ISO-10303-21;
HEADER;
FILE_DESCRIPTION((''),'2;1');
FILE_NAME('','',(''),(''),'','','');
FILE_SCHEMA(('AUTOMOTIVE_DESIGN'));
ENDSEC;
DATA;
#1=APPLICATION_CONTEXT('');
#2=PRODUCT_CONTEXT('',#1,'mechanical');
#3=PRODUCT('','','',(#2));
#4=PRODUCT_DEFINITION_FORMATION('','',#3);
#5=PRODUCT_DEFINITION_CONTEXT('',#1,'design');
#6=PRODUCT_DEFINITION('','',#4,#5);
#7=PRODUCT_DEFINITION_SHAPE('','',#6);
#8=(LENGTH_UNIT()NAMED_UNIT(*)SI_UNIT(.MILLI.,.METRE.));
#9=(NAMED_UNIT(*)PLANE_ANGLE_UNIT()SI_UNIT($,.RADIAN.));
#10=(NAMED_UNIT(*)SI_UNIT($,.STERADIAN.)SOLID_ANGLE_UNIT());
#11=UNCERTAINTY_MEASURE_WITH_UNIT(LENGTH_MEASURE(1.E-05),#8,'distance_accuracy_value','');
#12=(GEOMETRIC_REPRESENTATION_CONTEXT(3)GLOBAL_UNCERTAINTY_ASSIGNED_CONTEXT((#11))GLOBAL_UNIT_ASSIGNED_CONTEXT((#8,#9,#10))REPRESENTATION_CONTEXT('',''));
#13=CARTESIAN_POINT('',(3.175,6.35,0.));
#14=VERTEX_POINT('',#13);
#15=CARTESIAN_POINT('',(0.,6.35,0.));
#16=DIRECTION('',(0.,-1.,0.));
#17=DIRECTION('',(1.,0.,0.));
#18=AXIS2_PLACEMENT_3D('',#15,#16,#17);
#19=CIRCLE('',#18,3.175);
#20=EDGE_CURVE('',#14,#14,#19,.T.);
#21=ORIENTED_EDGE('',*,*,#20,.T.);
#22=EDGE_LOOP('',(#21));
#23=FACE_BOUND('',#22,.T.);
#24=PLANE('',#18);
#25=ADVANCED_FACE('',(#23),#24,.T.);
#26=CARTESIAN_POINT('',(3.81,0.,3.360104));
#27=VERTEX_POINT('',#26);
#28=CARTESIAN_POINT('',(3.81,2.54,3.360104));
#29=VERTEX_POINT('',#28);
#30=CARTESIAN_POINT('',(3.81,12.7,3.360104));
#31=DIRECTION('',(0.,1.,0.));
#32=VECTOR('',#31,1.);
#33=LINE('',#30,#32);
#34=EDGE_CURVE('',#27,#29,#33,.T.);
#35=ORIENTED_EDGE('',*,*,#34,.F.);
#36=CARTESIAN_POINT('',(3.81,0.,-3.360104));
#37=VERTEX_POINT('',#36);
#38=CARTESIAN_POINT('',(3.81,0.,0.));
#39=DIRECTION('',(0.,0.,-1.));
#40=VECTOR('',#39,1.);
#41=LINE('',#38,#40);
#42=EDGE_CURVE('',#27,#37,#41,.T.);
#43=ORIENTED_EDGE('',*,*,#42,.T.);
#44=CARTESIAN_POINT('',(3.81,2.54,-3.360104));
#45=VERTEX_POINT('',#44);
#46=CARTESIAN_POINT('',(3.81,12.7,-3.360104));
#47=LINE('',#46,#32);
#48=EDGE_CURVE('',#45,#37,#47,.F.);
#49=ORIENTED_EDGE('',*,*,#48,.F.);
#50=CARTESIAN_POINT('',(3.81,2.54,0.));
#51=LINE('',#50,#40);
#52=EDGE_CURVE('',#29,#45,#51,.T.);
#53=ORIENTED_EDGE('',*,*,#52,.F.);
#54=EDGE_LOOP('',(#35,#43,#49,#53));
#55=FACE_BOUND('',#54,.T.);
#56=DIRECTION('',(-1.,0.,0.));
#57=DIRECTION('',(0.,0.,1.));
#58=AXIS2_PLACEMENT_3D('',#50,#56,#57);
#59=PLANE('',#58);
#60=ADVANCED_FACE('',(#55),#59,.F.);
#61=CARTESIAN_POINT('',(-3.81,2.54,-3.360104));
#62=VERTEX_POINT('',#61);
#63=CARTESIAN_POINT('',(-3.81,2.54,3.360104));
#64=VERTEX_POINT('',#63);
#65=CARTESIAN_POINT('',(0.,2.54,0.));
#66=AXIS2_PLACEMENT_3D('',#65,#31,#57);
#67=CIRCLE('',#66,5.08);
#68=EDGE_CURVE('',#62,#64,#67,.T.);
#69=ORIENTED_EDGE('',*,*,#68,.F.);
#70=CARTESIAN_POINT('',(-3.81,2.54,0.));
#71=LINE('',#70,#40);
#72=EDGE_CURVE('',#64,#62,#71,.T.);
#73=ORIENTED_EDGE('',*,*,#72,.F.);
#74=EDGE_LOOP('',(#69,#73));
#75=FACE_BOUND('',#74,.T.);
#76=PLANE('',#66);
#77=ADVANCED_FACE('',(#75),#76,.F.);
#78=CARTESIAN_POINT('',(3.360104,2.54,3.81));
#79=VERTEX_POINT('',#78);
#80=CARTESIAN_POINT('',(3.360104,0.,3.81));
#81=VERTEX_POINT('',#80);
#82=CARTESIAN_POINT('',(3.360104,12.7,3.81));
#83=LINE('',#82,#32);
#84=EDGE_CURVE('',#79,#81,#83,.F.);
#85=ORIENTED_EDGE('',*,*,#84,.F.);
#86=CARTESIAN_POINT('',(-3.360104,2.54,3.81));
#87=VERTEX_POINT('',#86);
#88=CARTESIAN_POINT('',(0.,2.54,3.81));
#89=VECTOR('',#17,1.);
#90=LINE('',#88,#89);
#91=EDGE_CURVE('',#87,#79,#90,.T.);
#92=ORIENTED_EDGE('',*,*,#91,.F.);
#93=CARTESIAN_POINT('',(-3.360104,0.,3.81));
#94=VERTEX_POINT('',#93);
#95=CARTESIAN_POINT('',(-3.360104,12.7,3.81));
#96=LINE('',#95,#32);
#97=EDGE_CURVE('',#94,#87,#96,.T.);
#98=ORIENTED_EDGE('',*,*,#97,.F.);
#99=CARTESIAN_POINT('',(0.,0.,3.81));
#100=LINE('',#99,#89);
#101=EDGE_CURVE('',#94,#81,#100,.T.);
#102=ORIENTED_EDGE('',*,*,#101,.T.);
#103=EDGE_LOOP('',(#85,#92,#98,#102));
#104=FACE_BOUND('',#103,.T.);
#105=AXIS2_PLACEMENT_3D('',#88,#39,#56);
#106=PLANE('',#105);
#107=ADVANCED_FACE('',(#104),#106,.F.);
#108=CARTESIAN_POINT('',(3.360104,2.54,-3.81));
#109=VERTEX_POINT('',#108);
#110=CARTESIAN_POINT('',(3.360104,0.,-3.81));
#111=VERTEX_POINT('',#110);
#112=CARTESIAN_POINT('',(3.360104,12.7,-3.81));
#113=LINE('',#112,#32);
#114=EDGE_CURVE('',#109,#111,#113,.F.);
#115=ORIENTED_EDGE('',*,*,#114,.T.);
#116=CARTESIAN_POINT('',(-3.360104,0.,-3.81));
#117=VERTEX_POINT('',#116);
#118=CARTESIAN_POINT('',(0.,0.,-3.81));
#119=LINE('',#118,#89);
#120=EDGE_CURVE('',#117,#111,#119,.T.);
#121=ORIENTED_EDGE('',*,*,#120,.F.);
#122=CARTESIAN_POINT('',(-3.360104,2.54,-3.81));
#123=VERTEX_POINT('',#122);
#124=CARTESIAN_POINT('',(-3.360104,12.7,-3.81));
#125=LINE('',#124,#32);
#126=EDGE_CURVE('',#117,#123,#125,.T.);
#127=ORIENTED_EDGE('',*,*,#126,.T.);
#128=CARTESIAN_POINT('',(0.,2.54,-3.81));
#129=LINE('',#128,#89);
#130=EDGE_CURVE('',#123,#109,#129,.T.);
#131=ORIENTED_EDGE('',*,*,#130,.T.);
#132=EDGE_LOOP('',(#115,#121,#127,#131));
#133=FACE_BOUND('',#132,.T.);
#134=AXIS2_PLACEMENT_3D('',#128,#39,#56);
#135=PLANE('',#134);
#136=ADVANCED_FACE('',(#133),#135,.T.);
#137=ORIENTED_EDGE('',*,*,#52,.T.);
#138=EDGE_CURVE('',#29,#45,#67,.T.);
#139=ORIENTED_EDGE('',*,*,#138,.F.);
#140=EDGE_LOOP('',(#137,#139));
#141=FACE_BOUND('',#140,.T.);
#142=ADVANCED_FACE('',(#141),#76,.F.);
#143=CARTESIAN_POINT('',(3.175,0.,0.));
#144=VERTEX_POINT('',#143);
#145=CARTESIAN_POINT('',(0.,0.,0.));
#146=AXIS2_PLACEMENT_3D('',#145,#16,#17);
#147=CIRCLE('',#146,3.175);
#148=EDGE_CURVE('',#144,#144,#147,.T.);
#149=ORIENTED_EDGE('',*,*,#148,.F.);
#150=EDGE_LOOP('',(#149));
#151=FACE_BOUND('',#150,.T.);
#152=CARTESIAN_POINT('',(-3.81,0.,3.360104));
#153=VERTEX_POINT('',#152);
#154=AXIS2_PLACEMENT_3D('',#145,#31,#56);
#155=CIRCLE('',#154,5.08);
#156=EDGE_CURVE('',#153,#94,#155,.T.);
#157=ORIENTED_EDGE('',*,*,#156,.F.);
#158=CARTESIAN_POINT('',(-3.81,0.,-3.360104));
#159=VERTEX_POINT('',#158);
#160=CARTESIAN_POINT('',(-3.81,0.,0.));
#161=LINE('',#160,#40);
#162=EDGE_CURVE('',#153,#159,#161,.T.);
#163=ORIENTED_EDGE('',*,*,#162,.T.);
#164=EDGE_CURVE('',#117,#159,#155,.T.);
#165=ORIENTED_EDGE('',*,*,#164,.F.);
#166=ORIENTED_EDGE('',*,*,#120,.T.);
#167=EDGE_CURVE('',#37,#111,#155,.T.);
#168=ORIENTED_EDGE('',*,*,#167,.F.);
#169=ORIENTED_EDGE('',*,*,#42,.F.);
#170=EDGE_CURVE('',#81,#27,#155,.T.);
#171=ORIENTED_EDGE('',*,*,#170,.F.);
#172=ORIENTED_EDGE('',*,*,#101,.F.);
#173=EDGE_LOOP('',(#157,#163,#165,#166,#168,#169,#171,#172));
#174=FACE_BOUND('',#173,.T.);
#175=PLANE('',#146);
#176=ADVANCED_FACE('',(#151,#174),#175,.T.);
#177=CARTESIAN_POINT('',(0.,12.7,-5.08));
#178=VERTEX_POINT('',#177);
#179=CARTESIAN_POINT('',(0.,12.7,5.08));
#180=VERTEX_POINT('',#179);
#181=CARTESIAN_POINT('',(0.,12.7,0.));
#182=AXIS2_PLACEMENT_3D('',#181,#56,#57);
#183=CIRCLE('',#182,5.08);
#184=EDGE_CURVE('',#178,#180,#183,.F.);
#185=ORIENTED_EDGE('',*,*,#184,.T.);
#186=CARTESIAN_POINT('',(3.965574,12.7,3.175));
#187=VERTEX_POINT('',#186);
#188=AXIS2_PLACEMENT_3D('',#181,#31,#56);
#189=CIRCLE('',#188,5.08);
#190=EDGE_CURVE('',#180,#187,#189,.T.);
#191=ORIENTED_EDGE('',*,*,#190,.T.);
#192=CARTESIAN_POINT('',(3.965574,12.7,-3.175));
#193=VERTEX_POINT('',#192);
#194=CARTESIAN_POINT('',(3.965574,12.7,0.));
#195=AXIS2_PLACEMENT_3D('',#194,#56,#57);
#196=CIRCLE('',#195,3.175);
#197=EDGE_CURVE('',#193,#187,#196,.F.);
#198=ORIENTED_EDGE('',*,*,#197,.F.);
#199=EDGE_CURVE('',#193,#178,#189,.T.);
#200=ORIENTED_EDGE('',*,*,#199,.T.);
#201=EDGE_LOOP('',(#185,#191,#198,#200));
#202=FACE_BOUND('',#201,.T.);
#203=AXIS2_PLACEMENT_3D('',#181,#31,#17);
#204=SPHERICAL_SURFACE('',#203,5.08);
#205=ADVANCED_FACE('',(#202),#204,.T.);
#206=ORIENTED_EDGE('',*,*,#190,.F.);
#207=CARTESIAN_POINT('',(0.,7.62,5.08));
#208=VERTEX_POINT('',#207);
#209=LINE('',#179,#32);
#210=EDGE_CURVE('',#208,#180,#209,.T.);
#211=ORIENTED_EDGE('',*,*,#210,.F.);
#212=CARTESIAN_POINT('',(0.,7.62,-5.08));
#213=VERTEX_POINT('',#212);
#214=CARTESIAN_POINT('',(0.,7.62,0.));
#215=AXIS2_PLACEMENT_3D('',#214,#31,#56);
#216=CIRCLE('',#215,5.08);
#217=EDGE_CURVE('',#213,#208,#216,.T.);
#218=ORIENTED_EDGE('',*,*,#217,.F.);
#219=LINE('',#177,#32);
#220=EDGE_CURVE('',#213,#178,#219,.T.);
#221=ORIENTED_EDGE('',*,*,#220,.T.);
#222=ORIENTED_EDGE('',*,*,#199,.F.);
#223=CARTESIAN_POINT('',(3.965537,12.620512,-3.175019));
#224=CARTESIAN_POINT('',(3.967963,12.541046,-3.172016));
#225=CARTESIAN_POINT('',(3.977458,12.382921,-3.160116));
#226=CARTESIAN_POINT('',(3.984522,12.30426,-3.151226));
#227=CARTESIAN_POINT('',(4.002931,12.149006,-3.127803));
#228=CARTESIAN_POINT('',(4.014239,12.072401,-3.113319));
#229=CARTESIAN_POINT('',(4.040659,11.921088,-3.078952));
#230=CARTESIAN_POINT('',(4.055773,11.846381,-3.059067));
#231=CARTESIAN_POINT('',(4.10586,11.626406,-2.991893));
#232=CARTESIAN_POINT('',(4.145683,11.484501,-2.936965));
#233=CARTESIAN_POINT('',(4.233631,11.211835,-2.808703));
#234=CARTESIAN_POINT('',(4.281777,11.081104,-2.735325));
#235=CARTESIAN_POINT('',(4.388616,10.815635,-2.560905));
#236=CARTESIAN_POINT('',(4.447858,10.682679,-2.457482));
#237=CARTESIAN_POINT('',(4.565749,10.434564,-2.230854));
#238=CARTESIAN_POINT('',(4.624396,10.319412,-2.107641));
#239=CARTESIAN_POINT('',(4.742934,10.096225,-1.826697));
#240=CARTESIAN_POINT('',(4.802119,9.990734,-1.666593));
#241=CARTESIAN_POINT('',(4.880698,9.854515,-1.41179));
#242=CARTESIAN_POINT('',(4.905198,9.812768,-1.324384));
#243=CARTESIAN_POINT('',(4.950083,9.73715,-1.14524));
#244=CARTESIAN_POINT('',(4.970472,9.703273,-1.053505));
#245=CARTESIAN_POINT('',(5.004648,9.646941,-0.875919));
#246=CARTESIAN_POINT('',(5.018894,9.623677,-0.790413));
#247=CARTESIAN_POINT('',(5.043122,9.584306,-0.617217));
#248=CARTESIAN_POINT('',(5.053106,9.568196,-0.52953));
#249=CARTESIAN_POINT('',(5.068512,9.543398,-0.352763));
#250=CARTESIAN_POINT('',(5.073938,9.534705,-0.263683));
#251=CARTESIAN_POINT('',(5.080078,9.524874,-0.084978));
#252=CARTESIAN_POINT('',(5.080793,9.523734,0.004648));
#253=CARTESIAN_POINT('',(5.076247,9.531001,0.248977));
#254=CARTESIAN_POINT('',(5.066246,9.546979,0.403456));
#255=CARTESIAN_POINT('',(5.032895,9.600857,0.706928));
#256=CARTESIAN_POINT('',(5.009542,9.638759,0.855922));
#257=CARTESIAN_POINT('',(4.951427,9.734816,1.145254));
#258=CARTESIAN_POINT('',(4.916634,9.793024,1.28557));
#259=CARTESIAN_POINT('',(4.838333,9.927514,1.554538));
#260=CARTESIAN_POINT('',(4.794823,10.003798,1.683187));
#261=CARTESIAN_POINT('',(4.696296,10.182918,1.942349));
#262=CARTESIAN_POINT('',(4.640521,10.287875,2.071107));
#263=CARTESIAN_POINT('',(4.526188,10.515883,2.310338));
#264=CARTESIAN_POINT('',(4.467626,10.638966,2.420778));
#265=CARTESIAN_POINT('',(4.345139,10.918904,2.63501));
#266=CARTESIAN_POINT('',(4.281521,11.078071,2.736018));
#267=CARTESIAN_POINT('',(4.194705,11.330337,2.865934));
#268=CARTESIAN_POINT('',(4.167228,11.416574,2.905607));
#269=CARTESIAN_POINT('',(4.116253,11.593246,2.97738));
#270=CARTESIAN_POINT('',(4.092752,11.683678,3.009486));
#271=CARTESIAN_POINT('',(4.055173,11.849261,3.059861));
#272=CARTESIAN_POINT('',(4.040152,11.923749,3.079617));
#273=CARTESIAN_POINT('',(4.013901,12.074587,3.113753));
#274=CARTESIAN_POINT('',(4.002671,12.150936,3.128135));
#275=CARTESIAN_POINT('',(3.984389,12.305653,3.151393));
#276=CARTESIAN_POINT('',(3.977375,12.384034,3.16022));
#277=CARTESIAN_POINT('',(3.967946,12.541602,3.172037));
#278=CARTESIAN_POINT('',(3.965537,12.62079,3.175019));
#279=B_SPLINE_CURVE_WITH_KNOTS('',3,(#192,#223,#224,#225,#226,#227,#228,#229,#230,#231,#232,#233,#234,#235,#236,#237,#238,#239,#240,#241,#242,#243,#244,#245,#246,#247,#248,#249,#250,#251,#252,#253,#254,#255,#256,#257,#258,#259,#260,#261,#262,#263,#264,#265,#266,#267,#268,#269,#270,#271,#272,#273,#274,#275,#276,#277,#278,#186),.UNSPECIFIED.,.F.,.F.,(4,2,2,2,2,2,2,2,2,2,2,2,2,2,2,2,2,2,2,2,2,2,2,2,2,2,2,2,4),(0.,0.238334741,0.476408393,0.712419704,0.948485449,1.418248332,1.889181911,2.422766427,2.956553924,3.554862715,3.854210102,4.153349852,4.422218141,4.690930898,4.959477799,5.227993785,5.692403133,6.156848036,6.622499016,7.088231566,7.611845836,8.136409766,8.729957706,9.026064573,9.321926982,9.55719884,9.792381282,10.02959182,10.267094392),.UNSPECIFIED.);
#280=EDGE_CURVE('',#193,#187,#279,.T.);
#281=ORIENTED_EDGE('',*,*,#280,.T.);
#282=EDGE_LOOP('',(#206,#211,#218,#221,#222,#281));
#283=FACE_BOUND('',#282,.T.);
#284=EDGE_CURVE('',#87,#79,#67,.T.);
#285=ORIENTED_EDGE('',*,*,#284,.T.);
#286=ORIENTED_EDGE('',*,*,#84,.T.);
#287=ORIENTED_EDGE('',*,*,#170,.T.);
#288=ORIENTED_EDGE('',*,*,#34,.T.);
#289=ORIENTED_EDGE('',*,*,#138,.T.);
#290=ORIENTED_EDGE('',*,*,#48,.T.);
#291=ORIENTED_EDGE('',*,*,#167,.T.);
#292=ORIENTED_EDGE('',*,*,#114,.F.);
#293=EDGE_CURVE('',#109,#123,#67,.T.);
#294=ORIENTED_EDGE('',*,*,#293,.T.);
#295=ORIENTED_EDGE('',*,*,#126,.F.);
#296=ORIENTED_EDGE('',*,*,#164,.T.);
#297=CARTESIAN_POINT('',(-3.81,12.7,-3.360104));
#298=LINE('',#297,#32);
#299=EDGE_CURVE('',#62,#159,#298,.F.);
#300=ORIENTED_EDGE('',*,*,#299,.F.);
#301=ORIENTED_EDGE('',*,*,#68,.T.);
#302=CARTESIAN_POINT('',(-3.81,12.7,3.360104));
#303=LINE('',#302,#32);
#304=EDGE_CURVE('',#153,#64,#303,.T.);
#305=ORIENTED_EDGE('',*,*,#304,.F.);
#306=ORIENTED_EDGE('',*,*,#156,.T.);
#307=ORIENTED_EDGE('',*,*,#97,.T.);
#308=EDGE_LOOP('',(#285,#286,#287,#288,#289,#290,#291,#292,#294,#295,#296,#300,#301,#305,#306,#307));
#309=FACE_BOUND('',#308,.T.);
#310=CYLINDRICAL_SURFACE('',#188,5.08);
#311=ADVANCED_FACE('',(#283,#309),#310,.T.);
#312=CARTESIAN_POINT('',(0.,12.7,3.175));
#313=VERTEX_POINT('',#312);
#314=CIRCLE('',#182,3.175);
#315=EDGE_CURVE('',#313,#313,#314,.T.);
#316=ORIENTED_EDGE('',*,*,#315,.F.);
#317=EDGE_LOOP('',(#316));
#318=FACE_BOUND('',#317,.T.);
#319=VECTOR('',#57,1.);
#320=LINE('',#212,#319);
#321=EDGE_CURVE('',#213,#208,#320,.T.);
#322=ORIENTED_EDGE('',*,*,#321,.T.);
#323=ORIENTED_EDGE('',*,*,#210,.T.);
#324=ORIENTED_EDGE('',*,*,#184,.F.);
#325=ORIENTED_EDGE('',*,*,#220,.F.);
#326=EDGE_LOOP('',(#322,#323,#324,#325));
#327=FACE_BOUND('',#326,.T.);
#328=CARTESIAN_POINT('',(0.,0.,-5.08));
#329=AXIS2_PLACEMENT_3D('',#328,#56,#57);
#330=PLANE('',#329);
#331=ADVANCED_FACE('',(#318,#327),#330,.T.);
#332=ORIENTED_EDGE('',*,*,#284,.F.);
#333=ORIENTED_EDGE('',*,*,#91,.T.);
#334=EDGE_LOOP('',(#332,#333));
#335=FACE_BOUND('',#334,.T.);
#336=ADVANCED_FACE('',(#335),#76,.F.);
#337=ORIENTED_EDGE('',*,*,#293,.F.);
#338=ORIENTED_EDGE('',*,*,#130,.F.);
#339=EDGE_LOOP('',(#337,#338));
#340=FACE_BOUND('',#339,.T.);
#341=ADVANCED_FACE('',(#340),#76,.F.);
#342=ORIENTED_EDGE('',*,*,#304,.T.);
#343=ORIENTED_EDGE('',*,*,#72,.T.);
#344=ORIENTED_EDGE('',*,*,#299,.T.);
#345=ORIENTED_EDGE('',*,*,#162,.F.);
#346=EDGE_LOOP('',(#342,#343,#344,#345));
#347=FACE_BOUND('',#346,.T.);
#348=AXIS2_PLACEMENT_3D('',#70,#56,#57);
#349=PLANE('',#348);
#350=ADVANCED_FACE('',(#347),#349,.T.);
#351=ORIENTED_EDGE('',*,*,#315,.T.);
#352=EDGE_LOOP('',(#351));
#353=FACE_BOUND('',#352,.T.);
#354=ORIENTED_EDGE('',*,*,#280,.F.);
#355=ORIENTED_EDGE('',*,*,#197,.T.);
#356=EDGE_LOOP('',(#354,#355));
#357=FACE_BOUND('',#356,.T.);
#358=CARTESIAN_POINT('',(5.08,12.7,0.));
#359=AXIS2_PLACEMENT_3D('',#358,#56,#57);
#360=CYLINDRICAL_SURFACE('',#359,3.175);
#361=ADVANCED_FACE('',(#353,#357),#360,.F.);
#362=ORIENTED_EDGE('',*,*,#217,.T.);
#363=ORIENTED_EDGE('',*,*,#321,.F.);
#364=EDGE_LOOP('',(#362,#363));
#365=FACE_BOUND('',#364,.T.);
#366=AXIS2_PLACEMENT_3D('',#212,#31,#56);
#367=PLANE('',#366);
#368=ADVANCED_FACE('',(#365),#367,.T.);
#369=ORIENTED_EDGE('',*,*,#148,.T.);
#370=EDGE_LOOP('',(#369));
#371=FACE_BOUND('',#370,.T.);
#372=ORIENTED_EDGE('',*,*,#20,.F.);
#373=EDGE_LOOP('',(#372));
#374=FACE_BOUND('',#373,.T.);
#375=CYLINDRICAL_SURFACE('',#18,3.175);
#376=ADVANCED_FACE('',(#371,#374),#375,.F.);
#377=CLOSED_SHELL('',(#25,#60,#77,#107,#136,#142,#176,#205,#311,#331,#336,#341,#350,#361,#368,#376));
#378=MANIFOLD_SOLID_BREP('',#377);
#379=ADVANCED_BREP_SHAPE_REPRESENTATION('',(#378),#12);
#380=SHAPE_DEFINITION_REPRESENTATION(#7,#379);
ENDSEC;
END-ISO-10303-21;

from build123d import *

# Parameters (mm, degrees)
CUT_EXTRUDE1_DEPTH      = 20.176579466
CUT_EXTRUDE1_DEPTH_BACK = 20.176579466
SKETCH2_R               = 3.175
CUT_EXTRUDE2_DEPTH      = 6.35
SKETCH3_R               = 3.175
CUT_EXTRUDE3_DEPTH      = 20.176579466
SKETCH4_R               = 13.063866327
SKETCH4_W               = 7.62
SKETCH4_H               = 7.62
CUT_EXTRUDE4_DEPTH      = 2.54


with BuildPart() as part:
    # Sketch1 → Revolve1 (revolve)
    with BuildSketch(Plane.XY):
        with BuildLine():
            Line((-5.08, 0), (0, 0))
            Line((0, 0), (0, 17.78))
            ThreePointArc((0, 17.78), (-3.592102448, 16.292102448), (-5.08, 12.7))
            Line((-5.08, 12.7), (-5.08, 0))
        make_face()
    revolve(axis=Axis((0, 12.7, 0), (0, -1, 0)))

    # Sketch1<3> → Cut-Extrude1 (cut, two sides: drawn at the far end of the back side and taken through both)
    with BuildSketch(Plane.XY.offset(-CUT_EXTRUDE1_DEPTH_BACK)):
        with BuildLine():
            Line((-5.08, 12.7), (-5.08, 7.62))
            Line((-5.08, 7.62), (0, 7.62))
            Line((0, 7.62), (0, 12.7))
            Line((0, 12.7), (0, 17.78))
            ThreePointArc((0, 17.78), (-3.592102448, 16.292102448), (-5.08, 12.7))
        make_face()
    extrude(amount=CUT_EXTRUDE1_DEPTH + CUT_EXTRUDE1_DEPTH_BACK, mode=Mode.SUBTRACT)

    # Sketch2 → Cut-Extrude2 (cut)
    with BuildSketch(Plane.XZ):
        Circle(SKETCH2_R)
    extrude(amount=-CUT_EXTRUDE2_DEPTH, mode=Mode.SUBTRACT)

    # Sketch3 → Cut-Extrude3 (cut, through all)
    with BuildSketch(Plane.ZY):
        with Locations((0, 12.7)):
            Circle(SKETCH3_R)
    extrude(amount=-CUT_EXTRUDE3_DEPTH, mode=Mode.SUBTRACT)

    # Sketch4 → Cut-Extrude4 (cut)
    with BuildSketch(Plane(origin=(0, 0, 0), x_dir=(1, 0, 0), z_dir=(0, 1, 0))):
        Circle(SKETCH4_R)
        Rectangle(SKETCH4_W, SKETCH4_H, mode=Mode.SUBTRACT)
    extrude(amount=CUT_EXTRUDE4_DEPTH, mode=Mode.SUBTRACT)


solid = part.part
